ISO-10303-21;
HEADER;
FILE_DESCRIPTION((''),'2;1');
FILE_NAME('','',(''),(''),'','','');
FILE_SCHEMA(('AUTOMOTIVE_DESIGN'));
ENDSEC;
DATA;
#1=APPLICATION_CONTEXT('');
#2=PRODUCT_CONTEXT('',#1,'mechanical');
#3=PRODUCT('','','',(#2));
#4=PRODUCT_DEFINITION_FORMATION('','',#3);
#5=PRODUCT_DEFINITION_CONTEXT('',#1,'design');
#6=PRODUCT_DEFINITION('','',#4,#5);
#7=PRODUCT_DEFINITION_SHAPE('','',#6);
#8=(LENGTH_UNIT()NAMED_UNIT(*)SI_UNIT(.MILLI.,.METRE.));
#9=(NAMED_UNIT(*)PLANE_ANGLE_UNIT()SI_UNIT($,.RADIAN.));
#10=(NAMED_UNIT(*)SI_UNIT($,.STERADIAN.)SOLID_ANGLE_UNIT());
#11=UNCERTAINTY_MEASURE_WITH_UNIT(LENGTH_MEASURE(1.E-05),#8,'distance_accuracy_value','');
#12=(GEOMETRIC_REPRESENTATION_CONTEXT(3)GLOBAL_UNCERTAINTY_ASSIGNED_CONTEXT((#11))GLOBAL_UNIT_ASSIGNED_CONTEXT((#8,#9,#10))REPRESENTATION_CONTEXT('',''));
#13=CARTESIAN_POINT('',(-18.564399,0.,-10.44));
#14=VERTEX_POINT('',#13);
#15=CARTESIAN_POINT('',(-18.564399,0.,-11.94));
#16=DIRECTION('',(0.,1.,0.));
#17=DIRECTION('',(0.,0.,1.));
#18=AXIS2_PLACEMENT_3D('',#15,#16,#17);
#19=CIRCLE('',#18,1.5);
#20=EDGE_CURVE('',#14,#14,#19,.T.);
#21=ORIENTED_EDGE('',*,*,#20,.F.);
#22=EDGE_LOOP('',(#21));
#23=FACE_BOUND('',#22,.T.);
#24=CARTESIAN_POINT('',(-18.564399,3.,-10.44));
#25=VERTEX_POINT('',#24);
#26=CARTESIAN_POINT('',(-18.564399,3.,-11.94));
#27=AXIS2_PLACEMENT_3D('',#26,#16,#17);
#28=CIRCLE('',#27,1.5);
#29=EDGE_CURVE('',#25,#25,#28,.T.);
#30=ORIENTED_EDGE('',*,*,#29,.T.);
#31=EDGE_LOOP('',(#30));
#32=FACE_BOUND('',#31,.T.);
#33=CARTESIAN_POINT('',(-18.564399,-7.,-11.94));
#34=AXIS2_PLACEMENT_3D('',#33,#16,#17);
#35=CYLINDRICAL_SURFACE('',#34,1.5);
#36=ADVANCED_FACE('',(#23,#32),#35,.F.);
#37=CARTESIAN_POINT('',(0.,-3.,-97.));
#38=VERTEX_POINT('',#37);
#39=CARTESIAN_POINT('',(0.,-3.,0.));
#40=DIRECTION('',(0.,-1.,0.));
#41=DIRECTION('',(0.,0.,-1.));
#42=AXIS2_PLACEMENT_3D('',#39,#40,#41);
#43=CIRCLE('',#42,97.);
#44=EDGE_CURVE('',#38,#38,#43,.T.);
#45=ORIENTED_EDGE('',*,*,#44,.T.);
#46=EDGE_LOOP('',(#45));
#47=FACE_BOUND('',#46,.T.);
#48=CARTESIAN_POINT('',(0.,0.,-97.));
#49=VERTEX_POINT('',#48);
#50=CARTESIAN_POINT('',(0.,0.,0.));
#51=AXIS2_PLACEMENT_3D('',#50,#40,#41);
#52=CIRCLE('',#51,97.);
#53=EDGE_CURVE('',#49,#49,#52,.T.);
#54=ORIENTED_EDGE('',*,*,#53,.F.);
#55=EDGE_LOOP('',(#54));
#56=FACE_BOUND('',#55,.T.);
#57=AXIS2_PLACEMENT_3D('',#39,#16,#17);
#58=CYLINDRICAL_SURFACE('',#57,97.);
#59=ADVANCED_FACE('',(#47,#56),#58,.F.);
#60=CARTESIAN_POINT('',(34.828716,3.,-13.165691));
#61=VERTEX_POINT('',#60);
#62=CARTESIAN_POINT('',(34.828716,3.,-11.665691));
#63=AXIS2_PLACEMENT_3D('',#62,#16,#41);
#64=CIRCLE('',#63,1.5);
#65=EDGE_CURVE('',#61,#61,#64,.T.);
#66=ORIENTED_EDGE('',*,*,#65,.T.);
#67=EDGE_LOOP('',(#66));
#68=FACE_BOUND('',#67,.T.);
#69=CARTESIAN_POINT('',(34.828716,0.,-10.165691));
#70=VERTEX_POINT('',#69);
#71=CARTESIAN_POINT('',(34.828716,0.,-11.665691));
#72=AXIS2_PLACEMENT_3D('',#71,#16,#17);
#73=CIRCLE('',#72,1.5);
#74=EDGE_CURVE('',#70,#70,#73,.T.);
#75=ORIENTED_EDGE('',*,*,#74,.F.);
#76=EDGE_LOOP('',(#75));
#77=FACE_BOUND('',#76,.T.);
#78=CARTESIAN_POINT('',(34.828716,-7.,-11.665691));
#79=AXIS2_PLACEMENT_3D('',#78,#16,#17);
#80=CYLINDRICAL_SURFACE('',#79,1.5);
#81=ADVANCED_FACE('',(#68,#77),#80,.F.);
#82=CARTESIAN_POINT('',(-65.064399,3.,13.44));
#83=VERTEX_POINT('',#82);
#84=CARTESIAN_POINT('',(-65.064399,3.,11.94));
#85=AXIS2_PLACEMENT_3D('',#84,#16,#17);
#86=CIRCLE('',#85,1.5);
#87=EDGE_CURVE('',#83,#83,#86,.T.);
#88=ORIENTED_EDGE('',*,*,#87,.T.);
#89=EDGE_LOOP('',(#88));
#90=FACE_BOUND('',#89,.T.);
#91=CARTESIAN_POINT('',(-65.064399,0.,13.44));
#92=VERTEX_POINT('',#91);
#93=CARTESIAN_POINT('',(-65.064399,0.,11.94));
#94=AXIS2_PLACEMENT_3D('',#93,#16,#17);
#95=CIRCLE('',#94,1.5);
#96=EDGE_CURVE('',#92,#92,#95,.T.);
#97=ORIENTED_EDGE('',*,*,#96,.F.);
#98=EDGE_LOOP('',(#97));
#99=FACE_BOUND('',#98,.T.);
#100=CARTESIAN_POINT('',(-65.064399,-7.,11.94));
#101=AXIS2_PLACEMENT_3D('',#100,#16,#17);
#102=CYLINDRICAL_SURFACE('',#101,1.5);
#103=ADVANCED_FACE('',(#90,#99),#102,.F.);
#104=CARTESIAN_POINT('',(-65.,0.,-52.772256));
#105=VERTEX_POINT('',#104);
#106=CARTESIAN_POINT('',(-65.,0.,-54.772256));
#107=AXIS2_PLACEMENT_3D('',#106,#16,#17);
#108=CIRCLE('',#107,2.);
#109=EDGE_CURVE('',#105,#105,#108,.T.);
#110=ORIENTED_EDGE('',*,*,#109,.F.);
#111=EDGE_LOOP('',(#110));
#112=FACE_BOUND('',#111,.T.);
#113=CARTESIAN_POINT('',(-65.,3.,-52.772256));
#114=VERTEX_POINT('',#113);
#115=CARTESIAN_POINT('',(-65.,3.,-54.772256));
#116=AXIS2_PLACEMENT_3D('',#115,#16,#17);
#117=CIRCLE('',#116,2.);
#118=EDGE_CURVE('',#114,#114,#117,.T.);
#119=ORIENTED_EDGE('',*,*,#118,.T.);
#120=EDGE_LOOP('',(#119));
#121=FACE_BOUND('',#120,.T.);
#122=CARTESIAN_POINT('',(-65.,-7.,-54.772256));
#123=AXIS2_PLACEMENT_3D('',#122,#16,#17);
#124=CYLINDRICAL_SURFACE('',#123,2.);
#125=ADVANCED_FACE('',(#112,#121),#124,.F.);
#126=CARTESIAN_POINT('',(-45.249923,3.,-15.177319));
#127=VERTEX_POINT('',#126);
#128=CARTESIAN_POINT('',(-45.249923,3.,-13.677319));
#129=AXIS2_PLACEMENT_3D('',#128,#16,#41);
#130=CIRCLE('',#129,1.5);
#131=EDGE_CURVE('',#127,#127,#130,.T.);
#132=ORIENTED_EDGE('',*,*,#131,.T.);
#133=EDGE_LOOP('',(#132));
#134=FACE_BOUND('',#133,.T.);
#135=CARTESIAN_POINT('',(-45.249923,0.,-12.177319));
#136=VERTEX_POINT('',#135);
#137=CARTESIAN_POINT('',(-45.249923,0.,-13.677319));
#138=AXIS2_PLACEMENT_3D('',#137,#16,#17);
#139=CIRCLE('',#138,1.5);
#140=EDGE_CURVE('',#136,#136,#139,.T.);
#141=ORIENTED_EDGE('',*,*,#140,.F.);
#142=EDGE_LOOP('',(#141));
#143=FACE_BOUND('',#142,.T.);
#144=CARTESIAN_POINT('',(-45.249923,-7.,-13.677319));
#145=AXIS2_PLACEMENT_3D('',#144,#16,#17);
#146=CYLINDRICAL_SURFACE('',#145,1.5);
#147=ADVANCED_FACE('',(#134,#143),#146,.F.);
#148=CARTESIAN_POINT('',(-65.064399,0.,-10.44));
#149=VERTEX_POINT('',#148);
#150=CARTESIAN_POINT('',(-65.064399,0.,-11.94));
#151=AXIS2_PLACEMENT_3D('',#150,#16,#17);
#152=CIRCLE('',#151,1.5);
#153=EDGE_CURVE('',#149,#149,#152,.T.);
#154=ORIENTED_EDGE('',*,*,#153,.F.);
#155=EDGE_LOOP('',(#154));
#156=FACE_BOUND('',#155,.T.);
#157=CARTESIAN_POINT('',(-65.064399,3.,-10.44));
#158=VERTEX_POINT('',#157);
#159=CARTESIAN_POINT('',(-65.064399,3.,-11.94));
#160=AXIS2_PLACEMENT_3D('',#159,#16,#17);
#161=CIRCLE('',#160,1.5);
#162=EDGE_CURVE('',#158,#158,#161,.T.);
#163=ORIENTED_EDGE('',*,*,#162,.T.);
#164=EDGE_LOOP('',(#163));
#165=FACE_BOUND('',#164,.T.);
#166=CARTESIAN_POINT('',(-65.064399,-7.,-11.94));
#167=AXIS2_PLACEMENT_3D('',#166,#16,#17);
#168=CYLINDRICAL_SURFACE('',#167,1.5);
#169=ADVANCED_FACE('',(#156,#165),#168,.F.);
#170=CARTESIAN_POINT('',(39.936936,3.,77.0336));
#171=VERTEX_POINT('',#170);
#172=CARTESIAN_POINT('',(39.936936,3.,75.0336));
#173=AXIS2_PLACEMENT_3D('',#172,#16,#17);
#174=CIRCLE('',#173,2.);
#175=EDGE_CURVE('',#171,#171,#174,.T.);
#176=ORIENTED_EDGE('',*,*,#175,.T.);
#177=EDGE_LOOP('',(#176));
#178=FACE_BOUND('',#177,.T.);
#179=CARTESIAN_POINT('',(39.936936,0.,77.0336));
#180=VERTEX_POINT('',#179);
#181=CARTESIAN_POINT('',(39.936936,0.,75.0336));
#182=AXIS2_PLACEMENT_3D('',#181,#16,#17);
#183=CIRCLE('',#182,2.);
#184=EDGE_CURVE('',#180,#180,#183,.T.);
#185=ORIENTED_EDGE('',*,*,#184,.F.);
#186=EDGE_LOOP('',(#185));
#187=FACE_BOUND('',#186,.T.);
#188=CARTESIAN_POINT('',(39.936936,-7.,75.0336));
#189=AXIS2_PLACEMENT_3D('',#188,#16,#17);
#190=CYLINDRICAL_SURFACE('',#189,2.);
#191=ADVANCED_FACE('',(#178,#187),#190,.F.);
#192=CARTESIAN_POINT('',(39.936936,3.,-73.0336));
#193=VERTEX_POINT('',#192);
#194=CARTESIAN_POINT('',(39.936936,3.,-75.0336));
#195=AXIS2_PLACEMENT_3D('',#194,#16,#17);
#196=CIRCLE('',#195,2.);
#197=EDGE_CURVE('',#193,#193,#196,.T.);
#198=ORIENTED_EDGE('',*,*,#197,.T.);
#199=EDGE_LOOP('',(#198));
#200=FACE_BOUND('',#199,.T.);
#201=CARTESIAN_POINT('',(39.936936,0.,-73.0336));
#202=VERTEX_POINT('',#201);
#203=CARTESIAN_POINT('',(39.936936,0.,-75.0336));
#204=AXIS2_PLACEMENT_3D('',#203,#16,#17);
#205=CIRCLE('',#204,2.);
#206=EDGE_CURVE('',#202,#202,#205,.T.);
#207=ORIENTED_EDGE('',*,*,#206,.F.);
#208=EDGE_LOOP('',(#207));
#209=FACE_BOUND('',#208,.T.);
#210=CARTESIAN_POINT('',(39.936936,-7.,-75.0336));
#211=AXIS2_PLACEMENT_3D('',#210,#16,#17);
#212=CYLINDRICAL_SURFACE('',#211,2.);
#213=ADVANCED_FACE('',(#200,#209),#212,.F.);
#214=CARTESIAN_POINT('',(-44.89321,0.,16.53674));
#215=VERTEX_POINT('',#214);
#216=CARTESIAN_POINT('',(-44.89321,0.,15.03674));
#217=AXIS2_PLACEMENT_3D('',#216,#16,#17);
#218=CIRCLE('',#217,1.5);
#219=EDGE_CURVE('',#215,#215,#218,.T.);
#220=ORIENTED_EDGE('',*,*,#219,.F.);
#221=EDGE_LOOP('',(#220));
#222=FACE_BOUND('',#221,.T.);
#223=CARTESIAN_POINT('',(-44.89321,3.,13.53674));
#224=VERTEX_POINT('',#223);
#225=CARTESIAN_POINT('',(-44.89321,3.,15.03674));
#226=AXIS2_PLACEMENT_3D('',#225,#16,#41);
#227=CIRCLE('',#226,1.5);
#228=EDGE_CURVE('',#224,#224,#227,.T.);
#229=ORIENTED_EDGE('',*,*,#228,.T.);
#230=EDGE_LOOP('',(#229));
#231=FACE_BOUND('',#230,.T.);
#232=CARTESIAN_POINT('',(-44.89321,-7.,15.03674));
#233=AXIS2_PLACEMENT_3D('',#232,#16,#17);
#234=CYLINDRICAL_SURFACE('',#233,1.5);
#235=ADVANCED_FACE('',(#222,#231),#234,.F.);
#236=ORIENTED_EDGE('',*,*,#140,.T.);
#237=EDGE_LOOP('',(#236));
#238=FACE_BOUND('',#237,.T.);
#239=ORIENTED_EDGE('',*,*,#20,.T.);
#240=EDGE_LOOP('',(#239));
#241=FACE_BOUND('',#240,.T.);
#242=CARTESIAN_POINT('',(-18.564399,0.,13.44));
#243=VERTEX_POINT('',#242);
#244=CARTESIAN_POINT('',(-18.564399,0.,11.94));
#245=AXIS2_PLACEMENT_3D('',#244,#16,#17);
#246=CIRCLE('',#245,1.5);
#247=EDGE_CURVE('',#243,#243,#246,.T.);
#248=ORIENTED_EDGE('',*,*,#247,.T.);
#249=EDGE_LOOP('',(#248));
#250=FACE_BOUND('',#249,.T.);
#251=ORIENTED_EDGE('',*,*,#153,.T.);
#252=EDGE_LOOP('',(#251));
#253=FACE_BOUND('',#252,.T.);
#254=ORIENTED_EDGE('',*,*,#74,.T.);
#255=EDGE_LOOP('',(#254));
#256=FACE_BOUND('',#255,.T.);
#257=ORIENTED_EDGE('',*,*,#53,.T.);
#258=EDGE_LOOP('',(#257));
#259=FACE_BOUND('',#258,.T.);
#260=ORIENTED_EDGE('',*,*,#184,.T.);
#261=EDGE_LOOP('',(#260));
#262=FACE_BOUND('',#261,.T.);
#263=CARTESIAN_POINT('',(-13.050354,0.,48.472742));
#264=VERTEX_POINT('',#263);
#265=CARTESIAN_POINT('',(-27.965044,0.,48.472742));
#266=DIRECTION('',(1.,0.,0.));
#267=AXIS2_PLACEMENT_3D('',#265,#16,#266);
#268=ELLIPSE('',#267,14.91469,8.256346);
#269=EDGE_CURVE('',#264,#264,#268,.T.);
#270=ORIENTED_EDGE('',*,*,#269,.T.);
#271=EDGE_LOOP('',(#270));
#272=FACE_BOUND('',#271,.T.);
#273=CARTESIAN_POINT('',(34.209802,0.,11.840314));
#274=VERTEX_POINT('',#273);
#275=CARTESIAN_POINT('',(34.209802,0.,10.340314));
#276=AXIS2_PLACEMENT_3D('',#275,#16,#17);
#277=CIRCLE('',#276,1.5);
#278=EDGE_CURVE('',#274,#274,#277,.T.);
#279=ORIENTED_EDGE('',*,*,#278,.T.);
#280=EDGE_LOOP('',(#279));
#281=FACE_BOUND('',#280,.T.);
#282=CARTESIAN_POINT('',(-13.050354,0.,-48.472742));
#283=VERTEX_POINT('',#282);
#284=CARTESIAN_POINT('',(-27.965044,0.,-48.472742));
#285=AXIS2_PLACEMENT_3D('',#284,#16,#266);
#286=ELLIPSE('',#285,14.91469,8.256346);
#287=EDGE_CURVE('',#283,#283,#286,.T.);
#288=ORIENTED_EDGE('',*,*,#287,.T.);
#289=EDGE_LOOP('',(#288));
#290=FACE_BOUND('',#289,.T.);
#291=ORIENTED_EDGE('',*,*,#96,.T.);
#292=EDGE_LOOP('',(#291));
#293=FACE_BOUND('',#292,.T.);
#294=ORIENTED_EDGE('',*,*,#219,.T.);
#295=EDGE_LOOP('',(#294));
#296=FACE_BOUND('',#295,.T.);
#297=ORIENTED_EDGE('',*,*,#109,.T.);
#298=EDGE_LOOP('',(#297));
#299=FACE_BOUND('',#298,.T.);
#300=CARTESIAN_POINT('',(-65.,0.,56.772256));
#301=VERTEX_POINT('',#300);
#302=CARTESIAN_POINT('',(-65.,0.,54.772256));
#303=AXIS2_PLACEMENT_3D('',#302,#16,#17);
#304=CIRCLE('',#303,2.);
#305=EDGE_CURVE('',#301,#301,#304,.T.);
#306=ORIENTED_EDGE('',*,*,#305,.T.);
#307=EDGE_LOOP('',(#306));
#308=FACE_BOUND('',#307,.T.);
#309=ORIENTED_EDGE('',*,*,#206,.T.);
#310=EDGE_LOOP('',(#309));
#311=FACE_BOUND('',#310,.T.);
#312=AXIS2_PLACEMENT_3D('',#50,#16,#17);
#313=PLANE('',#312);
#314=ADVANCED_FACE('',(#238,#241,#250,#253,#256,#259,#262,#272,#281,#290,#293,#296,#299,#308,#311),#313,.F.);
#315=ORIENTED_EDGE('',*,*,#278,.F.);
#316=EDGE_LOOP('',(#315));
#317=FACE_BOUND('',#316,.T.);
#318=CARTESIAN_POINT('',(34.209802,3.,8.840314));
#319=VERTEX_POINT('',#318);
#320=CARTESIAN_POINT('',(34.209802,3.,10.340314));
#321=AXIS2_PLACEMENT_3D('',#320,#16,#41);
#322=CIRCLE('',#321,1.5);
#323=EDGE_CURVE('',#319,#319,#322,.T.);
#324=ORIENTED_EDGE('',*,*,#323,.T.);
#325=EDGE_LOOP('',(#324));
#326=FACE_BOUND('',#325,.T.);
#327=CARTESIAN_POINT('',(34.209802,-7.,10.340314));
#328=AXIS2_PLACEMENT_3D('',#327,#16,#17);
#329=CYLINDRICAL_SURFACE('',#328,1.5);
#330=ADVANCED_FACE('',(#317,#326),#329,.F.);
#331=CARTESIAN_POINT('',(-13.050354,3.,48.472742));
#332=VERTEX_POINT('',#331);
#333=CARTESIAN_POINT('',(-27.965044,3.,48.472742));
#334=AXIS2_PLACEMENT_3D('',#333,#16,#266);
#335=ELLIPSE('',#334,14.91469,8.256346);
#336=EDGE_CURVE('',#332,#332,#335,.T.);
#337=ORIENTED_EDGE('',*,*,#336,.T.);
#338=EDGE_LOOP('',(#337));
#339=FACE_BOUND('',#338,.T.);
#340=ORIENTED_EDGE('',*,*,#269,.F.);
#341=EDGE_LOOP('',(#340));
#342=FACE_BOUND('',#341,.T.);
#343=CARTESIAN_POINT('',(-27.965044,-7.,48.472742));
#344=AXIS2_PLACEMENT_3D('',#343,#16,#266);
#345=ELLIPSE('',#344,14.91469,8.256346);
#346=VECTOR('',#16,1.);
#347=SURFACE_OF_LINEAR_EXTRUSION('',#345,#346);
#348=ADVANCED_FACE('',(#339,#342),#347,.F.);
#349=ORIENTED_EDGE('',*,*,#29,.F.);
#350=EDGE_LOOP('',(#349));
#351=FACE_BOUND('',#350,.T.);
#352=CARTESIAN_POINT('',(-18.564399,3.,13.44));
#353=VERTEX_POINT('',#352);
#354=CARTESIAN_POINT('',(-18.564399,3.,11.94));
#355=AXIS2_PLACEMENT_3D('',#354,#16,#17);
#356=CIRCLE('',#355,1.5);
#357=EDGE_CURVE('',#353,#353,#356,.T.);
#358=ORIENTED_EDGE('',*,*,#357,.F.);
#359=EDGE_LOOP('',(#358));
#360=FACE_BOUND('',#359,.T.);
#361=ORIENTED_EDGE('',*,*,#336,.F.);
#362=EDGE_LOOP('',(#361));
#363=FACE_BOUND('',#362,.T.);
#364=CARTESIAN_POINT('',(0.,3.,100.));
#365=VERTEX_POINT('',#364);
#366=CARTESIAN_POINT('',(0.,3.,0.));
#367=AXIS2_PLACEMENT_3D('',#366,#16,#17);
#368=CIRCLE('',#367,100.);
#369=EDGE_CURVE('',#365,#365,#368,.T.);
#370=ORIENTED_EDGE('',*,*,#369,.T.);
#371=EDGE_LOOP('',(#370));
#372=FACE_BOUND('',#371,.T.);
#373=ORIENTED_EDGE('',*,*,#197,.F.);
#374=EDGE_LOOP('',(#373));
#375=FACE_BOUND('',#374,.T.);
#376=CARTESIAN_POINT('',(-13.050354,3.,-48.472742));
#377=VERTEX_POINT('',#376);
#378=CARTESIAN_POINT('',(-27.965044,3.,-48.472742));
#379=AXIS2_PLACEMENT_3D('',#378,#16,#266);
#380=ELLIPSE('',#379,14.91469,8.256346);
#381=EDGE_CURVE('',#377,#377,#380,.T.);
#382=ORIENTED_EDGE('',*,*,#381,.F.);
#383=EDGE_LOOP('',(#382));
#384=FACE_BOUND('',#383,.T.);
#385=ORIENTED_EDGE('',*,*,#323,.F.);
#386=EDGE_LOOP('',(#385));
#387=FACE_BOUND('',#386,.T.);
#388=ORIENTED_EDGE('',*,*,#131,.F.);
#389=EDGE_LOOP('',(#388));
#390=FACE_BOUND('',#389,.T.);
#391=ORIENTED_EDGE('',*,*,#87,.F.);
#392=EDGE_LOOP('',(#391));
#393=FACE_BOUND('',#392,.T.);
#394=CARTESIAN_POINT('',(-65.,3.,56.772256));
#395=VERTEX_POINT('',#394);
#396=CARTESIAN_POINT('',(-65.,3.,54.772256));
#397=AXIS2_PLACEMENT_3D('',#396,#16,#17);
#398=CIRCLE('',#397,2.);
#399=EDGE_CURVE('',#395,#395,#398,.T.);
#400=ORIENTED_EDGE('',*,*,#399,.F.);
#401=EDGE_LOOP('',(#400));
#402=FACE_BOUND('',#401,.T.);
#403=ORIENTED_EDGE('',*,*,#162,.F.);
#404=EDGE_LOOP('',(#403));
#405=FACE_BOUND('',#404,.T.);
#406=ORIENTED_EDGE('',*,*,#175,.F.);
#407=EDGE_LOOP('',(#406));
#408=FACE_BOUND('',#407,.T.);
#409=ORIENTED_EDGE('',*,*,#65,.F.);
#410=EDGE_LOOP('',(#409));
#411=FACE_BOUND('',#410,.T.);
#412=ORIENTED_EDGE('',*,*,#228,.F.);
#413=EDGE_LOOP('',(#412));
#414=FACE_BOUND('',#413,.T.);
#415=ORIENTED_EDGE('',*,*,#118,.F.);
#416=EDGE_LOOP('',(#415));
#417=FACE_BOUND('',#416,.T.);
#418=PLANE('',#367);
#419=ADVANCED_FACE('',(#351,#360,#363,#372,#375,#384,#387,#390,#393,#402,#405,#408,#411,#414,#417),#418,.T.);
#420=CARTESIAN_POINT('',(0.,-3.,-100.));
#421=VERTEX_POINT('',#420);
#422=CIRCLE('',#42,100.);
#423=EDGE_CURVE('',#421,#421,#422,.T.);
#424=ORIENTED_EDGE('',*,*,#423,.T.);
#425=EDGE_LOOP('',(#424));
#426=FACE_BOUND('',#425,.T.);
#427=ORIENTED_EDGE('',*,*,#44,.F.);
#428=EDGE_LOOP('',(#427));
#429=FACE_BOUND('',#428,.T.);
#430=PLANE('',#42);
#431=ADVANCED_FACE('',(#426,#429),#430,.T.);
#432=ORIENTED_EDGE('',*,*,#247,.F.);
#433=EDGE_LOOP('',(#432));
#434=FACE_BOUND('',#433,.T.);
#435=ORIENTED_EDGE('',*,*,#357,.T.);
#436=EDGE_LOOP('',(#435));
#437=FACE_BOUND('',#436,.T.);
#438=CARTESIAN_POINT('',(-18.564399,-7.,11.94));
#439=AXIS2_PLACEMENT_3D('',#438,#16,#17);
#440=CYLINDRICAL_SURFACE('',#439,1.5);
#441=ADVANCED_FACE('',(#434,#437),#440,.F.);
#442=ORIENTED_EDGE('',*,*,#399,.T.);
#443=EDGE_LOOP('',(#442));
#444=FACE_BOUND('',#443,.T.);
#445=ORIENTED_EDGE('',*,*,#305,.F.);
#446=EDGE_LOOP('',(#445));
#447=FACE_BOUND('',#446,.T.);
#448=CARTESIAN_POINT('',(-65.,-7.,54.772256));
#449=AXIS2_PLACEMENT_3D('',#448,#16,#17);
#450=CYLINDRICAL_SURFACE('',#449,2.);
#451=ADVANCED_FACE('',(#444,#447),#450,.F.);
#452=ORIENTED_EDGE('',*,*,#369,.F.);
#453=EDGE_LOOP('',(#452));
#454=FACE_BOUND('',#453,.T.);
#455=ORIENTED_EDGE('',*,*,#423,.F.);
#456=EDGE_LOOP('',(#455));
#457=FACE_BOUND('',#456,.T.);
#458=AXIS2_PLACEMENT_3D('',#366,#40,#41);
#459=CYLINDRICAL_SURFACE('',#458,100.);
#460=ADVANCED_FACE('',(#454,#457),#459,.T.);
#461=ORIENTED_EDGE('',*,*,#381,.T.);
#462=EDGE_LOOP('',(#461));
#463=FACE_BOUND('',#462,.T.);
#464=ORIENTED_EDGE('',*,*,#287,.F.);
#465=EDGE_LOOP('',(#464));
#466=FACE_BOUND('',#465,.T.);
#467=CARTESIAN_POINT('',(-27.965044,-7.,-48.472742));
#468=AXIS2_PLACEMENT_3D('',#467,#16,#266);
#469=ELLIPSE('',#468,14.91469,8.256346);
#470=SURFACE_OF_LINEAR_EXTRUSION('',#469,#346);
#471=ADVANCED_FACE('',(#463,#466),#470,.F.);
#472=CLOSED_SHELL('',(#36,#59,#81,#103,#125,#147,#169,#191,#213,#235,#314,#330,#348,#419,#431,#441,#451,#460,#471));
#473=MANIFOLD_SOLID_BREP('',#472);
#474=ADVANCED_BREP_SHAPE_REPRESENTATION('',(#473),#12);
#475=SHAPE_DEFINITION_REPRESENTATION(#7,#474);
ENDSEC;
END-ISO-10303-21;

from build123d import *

# Parameters (mm, degrees)
SKETCH_1_R          = 100
EXTRUDE_1_DEPTH     = 3
SKETCH_5_R          = 2
CUT_EXTRUDE_3_DEPTH = 10
SKETCH_6_R          = 1.5
CUT_EXTRUDE_4_DEPTH = 10
SKETCH_7_RX         = 14.914689971
SKETCH_7_RY         = 8.256346234
CUT_EXTRUDE_5_DEPTH = 10
EXTRUDE_START       = 3
SKETCH_9_R          = 100
SKETCH_9_R_2        = 97
EXTRUDE_3_DEPTH     = 3


with BuildPart() as part:
    # Эскиз1 → Бобышка-Вытянуть1 (new body)
    with BuildSketch(Plane(origin=(0, 0, 0), x_dir=(1, 0, 0), z_dir=(0, 1, 0))):
        with Locations(Location((0, 0, 0), (0, 0, 270))):
            Circle(SKETCH_1_R)
    extrude(amount=EXTRUDE_1_DEPTH)

    # Эскиз5 → Вырез-Вытянуть3 (cut)
    with BuildSketch(Plane(origin=(0, 3, 0), x_dir=(1, 0, 0), z_dir=(0, 1, 0))):
        with Locations(Location((39.936936383, -75.033599889, 0), (0, 0, 270))):
            Circle(SKETCH_5_R)
        with Locations(Location((39.936936383, 75.033599889, 0), (0, 0, 270))):
            Circle(SKETCH_5_R)
        with Locations(Location((-65, 54.772255751, 0), (0, 0, 270))):
            Circle(SKETCH_5_R)
        with Locations(Location((-65, -54.772255751, 0), (0, 0, 270))):
            Circle(SKETCH_5_R)
    extrude(amount=-CUT_EXTRUDE_3_DEPTH, mode=Mode.SUBTRACT)

    # Эскиз6 → Вырез-Вытянуть4 (cut)
    with BuildSketch(Plane(origin=(0, 3, 0), x_dir=(1, 0, 0), z_dir=(0, 1, 0))):
        with Locations(Location((-65.064398668, 11.94, 0), (0, 0, 270))):
            Circle(SKETCH_6_R)
        with Locations(Location((-18.564398668, 11.94, 0), (0, 0, 270))):
            Circle(SKETCH_6_R)
        with Locations(Location((-18.564398668, -11.94, 0), (0, 0, 270))):
            Circle(SKETCH_6_R)
        with Locations(Location((-65.064398668, -11.94, 0), (0, 0, 270))):
            Circle(SKETCH_6_R)
        with Locations(Location((34.209802243, -10.340313566, 0), (0, 0, 270))):
            Circle(SKETCH_6_R)
        with Locations(Location((34.82871581, 11.665691446, 0), (0, 0, 270))):
            Circle(SKETCH_6_R)
        with Locations(Location((-45.249923126, 13.677319461, 0), (0, 0, 270))):
            Circle(SKETCH_6_R)
        with Locations(Location((-44.893210092, -15.036739793, 0), (0, 0, 270))):
            Circle(SKETCH_6_R)
    extrude(amount=-CUT_EXTRUDE_4_DEPTH, mode=Mode.SUBTRACT)

    # Эскиз7 → Вырез-Вытянуть5 (cut)
    with BuildSketch(Plane(origin=(0, 3, 0), x_dir=(1, 0, 0), z_dir=(0, 1, 0))):
        with Locations((-27.965043695, 48.472742405)):
            Ellipse(SKETCH_7_RX, SKETCH_7_RY)
        with Locations((-27.965043695, -48.472742405)):
            Ellipse(SKETCH_7_RX, SKETCH_7_RY)
    extrude(amount=-CUT_EXTRUDE_5_DEPTH, mode=Mode.SUBTRACT)

    # Эскиз9 → Бобышка-Вытянуть3 (add)
    with BuildSketch(Plane.XZ.offset(EXTRUDE_START)):
        with Locations(Location((0, 0, 0), (0, 0, 270))):
            Circle(SKETCH_9_R)
        with Locations(Location((0, 0, 0), (0, 0, 270))):
            Circle(SKETCH_9_R_2, mode=Mode.SUBTRACT)
    extrude(amount=-EXTRUDE_3_DEPTH)


solid = part.part
